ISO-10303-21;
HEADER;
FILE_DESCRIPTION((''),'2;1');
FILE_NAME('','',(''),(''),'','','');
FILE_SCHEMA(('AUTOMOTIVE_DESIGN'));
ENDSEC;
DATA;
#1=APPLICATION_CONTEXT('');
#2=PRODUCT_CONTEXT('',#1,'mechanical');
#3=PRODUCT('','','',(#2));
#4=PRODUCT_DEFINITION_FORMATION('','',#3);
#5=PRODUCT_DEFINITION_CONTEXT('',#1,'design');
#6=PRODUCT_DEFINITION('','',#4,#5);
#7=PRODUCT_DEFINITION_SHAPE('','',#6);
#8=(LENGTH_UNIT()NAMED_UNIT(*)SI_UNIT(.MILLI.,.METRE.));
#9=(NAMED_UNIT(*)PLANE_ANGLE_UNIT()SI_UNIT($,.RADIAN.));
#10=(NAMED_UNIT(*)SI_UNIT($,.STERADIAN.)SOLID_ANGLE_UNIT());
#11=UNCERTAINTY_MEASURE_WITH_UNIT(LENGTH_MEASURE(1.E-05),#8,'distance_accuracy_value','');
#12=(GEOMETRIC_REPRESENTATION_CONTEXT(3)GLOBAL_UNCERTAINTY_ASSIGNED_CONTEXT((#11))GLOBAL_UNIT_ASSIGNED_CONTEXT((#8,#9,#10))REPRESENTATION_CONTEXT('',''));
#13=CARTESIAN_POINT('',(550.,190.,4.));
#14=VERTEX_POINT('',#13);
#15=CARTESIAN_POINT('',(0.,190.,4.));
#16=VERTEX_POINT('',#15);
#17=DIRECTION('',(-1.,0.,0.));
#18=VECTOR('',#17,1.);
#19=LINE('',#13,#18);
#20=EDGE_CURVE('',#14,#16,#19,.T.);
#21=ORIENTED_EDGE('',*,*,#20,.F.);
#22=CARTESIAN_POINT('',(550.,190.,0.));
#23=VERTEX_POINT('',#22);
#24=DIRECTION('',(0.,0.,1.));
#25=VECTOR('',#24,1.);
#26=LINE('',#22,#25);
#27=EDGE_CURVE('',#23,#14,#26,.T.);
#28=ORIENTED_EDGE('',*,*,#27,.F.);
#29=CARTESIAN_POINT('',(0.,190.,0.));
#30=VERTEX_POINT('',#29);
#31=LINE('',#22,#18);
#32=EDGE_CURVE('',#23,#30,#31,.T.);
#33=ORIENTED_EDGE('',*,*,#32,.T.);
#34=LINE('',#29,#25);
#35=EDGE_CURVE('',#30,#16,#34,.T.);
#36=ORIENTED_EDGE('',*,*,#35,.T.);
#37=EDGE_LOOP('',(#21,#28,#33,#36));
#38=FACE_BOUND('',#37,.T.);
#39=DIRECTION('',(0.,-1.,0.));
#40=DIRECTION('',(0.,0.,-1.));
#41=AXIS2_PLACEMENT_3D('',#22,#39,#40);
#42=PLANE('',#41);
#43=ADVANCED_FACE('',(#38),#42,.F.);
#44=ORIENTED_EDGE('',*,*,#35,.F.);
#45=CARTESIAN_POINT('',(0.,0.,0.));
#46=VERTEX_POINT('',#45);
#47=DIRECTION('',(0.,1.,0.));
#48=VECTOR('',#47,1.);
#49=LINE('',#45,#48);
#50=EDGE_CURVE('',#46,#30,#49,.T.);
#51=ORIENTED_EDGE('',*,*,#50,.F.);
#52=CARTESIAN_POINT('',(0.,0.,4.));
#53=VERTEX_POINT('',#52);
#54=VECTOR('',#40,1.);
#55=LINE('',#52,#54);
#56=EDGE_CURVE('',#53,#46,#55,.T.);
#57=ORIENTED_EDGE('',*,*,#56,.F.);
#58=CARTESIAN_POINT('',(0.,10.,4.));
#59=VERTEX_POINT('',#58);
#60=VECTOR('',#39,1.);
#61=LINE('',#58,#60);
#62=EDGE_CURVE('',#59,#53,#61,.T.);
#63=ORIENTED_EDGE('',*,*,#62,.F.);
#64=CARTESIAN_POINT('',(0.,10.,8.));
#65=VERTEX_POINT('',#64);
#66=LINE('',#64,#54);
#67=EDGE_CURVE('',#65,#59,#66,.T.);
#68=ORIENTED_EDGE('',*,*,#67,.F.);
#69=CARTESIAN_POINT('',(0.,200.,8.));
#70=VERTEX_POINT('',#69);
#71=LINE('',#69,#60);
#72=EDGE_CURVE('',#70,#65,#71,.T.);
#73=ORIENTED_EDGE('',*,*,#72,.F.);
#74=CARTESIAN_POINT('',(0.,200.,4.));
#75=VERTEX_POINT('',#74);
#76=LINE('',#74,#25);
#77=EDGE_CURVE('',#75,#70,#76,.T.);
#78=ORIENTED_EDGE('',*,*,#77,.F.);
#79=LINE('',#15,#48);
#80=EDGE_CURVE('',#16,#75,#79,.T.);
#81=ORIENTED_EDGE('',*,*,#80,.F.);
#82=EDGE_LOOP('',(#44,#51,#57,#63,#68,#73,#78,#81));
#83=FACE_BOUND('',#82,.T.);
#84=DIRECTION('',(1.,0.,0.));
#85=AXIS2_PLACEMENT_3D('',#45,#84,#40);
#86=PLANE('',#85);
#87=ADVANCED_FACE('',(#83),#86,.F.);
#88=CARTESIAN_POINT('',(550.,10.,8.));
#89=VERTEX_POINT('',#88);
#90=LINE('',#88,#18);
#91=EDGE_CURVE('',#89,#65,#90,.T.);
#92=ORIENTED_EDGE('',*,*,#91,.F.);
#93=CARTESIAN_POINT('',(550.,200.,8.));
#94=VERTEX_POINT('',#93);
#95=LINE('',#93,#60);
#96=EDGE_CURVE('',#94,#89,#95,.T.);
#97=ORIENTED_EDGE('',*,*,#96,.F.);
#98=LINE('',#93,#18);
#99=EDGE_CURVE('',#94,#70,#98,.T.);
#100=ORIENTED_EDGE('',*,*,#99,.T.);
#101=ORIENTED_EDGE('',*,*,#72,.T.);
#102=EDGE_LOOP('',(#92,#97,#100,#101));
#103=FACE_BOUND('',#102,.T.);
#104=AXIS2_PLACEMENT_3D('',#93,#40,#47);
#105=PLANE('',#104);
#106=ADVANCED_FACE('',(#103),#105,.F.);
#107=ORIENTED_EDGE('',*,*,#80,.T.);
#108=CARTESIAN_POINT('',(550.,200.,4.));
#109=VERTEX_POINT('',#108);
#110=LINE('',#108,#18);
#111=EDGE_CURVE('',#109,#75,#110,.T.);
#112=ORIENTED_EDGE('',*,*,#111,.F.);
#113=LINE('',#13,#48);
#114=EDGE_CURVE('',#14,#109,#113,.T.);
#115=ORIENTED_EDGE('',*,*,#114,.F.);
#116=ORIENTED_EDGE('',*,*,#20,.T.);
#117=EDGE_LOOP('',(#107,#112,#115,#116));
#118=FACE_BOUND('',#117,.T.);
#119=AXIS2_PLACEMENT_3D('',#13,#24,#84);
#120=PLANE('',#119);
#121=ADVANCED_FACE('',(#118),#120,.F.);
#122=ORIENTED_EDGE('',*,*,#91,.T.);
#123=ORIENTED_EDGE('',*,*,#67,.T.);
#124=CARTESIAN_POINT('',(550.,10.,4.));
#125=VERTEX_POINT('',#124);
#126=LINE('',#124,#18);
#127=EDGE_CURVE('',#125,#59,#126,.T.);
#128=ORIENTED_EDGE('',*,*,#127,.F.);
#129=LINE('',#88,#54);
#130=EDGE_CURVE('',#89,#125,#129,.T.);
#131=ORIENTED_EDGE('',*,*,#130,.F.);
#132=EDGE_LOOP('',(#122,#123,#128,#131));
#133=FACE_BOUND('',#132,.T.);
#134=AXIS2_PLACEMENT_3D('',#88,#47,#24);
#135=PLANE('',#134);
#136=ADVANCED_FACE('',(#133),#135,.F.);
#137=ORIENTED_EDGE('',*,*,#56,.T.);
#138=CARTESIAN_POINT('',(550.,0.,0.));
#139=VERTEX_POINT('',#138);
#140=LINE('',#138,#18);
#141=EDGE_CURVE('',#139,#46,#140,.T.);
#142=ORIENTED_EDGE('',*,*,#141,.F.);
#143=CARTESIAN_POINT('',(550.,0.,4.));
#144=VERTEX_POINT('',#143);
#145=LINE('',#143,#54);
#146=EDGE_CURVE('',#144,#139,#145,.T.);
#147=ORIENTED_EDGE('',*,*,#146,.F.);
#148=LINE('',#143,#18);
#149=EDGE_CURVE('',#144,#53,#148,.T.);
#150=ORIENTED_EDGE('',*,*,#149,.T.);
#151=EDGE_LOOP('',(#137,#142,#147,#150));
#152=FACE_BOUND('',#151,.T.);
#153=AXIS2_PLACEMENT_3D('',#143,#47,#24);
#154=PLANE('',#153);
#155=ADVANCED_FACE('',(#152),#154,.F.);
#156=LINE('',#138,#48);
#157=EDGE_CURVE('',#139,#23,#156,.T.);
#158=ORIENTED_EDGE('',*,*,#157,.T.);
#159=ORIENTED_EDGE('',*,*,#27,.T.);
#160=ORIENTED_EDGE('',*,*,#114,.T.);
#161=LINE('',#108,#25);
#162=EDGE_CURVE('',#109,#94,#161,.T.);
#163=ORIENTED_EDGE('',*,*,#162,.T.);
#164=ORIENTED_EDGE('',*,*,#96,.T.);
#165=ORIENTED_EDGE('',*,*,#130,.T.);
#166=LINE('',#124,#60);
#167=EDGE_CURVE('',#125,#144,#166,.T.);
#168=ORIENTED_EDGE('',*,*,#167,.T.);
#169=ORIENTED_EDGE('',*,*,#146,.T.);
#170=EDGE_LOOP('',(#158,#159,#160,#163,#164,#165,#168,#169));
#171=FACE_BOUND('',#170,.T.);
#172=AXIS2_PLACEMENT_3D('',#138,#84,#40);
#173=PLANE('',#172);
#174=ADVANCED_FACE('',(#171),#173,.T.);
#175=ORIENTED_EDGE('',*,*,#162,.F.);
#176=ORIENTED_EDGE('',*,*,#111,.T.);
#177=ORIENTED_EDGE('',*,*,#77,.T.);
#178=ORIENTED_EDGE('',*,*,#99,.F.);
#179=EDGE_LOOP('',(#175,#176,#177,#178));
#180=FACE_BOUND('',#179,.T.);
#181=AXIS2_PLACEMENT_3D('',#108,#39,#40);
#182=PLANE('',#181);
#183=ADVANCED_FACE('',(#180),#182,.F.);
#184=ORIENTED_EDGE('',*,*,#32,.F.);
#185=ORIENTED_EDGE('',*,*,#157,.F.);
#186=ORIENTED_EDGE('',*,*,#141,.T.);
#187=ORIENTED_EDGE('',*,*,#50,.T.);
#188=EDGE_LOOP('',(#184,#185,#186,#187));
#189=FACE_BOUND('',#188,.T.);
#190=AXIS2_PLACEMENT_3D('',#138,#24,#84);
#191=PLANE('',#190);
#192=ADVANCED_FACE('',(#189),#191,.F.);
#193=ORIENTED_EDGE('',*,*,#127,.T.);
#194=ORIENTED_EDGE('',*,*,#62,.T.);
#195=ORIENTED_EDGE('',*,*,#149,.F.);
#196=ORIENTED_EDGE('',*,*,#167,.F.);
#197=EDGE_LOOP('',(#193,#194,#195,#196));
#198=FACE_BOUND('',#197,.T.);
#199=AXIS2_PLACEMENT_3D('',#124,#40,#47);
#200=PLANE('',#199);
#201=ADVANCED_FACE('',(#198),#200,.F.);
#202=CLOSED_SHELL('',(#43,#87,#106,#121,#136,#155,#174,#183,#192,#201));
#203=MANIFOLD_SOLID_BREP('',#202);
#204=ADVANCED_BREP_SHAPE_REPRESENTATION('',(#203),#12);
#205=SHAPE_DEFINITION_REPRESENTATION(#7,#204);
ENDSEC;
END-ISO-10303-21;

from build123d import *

# Parameters (mm, degrees)
EXTRUDE_1_DEPTH = 550


with BuildPart() as part:
    # Эскиз1 → Бобышка-Вытянуть1 (new body)
    with BuildSketch(Plane(origin=(0, 0, 0), x_dir=(0, 0, -1), z_dir=(1, 0, 0))):
        Polygon((0, 0), (0, 190), (-4, 190), (-4, 200), (-8, 200), (-8, 10), (-4, 10), (-4, 0), align=None)
    extrude(amount=EXTRUDE_1_DEPTH)


solid = part.part
